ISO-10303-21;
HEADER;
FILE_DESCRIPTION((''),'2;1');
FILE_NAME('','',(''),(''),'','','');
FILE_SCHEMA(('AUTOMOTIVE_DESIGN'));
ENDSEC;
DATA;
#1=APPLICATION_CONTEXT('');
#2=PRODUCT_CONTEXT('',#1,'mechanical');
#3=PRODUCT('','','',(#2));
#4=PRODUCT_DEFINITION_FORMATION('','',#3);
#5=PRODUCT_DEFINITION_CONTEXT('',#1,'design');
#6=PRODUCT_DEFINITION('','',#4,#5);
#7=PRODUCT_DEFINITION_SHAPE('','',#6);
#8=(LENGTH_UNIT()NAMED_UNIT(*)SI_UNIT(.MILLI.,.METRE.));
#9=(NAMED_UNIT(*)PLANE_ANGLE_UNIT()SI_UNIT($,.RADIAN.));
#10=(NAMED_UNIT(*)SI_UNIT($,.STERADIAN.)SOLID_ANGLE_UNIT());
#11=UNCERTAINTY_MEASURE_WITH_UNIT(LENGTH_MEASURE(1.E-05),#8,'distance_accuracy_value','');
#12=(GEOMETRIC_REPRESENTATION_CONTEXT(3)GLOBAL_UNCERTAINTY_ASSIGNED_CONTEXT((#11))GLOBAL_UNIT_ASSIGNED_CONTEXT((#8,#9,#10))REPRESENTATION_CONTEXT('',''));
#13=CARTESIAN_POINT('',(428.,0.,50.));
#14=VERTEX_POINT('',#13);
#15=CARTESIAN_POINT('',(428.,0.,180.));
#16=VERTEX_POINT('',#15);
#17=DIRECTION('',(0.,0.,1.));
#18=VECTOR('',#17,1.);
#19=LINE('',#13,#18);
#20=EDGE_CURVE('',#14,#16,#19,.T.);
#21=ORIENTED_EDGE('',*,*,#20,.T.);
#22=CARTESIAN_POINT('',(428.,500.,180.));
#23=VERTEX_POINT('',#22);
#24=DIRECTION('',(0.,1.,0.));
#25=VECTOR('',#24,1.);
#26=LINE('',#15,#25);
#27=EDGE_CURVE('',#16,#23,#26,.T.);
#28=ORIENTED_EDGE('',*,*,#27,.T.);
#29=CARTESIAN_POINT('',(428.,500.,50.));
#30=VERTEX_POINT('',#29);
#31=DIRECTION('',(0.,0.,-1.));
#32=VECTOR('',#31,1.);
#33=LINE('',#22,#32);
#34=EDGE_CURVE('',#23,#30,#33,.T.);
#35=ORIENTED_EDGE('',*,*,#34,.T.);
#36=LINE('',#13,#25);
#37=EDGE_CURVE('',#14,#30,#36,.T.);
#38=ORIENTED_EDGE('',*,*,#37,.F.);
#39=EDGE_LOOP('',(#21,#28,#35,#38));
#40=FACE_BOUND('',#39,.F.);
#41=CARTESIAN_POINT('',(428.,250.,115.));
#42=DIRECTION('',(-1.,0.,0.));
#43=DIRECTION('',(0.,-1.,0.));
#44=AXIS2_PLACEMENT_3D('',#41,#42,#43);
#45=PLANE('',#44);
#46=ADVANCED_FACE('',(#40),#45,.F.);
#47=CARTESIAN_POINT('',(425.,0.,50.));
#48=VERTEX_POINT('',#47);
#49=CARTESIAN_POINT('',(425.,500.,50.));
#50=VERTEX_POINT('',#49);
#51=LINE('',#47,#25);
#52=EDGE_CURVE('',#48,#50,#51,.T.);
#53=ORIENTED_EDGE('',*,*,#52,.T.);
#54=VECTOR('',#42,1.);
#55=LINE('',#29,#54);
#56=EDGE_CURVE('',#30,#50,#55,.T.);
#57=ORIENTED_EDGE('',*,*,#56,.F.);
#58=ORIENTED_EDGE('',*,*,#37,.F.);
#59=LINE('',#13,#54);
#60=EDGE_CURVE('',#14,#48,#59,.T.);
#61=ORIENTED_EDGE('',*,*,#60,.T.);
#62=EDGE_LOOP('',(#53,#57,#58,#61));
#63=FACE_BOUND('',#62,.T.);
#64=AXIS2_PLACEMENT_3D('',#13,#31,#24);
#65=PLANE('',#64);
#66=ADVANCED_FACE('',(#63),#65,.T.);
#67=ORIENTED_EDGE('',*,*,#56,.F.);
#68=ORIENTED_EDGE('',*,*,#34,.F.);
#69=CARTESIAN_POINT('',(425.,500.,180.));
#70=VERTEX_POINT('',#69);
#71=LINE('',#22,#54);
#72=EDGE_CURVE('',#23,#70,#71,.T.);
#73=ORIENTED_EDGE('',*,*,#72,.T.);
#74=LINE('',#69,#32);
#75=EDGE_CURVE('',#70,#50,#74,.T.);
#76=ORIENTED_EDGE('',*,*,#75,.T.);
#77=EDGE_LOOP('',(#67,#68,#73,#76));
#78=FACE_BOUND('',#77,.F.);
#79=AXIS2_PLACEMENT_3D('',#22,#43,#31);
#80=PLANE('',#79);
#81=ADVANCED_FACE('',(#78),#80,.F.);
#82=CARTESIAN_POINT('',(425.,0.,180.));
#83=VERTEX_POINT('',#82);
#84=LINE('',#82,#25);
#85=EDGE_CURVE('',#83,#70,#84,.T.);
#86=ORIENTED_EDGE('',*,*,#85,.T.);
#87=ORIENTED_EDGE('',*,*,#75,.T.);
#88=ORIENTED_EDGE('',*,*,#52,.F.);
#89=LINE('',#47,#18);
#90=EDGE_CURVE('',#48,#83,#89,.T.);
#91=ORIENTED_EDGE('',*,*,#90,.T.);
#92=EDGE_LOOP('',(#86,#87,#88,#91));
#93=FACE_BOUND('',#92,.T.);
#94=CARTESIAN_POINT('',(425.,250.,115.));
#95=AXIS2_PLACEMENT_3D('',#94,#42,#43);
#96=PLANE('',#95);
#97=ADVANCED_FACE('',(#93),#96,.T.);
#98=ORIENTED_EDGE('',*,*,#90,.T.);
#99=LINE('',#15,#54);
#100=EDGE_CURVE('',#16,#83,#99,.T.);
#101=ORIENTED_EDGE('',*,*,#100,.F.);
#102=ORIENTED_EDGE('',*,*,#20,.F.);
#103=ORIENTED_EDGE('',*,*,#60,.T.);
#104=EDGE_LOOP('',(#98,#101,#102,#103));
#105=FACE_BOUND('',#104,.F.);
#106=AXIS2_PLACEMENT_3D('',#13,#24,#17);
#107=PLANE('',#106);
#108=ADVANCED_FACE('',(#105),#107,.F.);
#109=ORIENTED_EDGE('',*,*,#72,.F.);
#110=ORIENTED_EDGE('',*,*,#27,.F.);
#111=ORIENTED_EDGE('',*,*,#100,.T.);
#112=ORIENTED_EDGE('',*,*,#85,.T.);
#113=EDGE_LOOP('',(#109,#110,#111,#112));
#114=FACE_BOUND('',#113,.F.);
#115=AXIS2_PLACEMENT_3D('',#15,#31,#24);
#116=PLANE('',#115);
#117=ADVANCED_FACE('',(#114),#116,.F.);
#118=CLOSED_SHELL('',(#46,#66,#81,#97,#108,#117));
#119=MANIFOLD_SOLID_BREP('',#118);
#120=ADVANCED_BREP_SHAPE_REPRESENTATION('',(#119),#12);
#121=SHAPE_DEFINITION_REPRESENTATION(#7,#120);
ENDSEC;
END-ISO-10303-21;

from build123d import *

# Parameters (mm, degrees)
PAD_DEPTH = 3


with BuildPart() as part:
    # Sketch → Pad (new body)
    with BuildSketch(Plane.YZ):
        Polygon((0, 0), (0, 130), (500, 130), (500, 0), (250, 0), align=None)
    extrude(amount=-PAD_DEPTH)


with BuildPart() as part_1:
    # Body placement: moved
    add(part.part.moved(Location((428, 0, 50))))


solid = part_1.part
